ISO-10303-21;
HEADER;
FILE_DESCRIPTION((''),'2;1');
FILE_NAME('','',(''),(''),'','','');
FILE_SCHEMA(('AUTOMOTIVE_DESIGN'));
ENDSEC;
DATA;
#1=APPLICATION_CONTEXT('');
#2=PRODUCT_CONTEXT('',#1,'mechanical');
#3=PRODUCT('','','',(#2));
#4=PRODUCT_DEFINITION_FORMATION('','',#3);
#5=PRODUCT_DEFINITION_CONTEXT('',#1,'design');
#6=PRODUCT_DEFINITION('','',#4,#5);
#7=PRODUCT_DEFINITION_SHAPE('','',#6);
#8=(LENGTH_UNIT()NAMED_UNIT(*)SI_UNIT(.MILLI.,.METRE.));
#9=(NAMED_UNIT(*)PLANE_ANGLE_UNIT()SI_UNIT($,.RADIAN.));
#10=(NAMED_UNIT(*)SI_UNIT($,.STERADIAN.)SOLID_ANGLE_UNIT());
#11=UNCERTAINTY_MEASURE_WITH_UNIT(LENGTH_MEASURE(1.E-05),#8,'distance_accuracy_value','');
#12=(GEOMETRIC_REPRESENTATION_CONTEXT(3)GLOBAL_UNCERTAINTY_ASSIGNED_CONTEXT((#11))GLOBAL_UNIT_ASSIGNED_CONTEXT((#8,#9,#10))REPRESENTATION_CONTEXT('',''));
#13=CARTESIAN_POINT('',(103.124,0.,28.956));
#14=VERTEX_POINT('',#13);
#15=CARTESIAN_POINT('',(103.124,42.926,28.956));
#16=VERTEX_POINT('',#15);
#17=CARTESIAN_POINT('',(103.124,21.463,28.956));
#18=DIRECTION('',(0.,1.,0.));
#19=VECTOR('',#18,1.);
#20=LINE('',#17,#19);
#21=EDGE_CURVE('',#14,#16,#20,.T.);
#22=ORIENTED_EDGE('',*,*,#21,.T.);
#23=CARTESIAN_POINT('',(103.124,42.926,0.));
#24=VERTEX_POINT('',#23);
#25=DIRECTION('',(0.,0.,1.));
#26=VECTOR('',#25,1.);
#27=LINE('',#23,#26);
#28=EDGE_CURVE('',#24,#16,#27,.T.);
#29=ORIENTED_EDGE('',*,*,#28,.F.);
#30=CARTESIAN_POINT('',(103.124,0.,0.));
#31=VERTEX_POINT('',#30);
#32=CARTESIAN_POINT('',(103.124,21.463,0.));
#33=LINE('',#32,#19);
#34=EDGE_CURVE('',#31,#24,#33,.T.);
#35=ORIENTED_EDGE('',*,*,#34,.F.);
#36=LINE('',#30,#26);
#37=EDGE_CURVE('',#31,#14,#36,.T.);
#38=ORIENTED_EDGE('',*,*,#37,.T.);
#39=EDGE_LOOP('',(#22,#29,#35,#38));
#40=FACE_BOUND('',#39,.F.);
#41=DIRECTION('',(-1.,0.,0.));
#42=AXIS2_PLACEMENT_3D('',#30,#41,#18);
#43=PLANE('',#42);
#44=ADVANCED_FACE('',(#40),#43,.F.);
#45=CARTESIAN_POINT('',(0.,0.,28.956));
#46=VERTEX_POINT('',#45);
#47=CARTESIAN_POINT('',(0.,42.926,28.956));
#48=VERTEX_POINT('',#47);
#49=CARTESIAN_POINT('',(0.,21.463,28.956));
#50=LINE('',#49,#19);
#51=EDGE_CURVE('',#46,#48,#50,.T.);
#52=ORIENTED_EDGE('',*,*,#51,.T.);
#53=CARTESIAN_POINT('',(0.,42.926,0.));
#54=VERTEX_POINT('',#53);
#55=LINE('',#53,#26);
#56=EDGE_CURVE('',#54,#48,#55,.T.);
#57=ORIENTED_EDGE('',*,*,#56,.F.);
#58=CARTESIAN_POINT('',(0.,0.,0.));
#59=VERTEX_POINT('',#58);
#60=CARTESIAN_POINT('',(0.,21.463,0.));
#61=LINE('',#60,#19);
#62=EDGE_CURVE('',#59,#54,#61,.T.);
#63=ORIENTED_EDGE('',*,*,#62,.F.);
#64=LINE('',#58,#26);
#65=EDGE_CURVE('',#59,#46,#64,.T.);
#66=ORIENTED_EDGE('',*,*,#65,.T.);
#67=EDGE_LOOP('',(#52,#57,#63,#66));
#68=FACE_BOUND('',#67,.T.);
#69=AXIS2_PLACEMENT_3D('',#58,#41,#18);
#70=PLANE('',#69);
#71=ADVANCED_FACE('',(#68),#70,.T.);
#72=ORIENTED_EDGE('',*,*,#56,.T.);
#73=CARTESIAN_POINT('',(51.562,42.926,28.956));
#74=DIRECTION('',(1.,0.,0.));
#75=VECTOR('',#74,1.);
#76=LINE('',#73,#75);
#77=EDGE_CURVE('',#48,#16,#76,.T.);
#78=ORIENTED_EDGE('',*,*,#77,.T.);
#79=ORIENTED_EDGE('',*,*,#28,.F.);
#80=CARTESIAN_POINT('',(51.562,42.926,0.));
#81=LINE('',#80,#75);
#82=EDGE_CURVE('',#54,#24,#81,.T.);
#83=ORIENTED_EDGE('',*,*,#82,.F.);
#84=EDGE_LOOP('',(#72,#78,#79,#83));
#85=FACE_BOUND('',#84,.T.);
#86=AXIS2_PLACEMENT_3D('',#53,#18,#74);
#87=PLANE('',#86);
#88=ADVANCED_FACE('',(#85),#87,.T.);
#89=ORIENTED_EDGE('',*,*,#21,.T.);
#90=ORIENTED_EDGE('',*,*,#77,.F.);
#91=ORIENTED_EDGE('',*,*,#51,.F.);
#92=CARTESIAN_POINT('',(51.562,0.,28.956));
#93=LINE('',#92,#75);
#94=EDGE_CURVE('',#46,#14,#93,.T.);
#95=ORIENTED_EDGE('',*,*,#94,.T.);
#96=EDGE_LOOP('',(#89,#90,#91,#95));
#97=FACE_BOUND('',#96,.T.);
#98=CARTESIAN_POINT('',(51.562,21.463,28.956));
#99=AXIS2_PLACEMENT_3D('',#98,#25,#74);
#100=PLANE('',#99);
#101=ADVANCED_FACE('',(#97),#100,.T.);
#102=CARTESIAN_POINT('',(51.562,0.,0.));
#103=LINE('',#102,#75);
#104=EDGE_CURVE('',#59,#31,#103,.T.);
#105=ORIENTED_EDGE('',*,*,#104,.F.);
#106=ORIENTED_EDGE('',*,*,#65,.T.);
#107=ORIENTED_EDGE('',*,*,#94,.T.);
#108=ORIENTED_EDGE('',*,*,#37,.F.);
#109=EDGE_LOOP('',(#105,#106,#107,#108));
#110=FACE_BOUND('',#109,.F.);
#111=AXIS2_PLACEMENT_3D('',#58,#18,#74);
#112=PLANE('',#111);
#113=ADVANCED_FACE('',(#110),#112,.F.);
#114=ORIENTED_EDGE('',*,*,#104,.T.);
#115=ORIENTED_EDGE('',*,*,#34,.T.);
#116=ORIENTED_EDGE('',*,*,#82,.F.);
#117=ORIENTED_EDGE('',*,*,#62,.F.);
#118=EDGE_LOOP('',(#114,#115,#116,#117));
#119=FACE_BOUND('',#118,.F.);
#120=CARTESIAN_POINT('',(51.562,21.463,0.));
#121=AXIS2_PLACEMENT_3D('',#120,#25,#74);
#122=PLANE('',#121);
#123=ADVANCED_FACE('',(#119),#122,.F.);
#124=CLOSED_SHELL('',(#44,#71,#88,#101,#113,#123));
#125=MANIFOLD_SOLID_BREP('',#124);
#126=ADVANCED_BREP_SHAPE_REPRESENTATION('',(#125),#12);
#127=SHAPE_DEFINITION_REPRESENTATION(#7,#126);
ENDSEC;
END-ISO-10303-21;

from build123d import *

# Parameters (mm, degrees)
BOX_W     = 103.124
BOX_H     = 42.926
BOX_DEPTH = 28.956


with BuildPart() as part:
    # Box → Box (new body)
    with BuildSketch(Plane.XY):
        with Locations((51.562, 21.463)):
            Rectangle(BOX_W, BOX_H)
    extrude(amount=BOX_DEPTH)


solid = part.part
